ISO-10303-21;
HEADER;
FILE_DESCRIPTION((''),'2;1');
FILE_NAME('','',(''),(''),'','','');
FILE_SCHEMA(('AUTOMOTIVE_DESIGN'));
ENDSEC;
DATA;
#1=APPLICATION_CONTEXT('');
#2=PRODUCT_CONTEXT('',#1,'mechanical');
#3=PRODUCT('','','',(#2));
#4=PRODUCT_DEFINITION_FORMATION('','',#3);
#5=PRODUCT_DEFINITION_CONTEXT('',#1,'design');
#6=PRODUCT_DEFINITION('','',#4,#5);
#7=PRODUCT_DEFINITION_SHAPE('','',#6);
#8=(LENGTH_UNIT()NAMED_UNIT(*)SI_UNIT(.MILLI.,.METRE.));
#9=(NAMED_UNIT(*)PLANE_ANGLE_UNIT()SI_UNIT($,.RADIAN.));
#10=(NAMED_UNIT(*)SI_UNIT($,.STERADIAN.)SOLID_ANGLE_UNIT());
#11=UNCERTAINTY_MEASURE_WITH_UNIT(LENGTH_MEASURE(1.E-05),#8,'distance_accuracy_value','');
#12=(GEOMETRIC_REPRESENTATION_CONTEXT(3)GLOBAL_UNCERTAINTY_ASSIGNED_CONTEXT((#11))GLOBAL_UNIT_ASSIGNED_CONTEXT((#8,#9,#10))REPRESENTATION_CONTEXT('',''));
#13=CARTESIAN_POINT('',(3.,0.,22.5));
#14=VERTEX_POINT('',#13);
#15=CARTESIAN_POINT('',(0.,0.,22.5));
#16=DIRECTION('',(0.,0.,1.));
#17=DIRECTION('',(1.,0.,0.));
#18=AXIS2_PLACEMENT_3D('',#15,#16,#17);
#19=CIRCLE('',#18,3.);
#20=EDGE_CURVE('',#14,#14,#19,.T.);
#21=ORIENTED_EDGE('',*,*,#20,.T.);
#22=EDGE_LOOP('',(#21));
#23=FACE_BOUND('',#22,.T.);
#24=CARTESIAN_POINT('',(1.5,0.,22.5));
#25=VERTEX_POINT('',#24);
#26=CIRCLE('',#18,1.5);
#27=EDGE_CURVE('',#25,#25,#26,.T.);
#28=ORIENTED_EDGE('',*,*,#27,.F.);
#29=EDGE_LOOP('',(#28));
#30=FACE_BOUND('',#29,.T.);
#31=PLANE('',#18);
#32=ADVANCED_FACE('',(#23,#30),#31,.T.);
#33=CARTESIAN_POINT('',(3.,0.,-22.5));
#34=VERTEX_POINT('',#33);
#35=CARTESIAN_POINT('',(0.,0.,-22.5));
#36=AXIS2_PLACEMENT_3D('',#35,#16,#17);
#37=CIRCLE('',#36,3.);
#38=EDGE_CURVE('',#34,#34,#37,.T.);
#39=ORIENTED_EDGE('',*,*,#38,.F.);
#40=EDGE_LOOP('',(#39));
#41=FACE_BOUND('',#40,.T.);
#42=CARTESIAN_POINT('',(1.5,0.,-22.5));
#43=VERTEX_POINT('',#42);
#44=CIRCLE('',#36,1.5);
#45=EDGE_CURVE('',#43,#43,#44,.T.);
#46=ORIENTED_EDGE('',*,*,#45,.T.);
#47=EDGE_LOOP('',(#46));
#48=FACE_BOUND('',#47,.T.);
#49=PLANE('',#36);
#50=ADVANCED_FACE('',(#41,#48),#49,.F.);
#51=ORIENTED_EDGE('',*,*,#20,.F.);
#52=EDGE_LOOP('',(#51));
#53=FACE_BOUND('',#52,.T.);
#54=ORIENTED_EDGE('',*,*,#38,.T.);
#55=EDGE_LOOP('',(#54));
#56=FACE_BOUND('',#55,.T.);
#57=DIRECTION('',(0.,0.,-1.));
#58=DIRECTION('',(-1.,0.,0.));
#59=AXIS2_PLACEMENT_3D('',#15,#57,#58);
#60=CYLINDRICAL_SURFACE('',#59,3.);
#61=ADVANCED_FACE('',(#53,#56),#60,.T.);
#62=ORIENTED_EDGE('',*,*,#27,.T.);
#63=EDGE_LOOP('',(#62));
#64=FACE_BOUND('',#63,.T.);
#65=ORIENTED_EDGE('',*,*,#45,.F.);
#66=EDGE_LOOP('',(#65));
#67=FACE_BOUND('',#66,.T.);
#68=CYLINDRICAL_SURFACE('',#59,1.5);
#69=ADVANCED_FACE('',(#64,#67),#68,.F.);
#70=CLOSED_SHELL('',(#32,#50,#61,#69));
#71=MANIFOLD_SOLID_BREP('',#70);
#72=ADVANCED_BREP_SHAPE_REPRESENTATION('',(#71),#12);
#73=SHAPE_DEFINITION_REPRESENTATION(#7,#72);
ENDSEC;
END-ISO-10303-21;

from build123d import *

# Parameters (mm, degrees)
SKETCH_1_R      = 3
SKETCH_1_R_2    = 1.5
EXTRUDE_1_DEPTH = 22.5


with BuildPart() as part:
    # 草图1 → 凸台-拉伸1 (new body, symmetric)
    with BuildSketch(Plane.XY):
        Circle(SKETCH_1_R)
        Circle(SKETCH_1_R_2, mode=Mode.SUBTRACT)
    extrude(amount=EXTRUDE_1_DEPTH, both=True)


solid = part.part
